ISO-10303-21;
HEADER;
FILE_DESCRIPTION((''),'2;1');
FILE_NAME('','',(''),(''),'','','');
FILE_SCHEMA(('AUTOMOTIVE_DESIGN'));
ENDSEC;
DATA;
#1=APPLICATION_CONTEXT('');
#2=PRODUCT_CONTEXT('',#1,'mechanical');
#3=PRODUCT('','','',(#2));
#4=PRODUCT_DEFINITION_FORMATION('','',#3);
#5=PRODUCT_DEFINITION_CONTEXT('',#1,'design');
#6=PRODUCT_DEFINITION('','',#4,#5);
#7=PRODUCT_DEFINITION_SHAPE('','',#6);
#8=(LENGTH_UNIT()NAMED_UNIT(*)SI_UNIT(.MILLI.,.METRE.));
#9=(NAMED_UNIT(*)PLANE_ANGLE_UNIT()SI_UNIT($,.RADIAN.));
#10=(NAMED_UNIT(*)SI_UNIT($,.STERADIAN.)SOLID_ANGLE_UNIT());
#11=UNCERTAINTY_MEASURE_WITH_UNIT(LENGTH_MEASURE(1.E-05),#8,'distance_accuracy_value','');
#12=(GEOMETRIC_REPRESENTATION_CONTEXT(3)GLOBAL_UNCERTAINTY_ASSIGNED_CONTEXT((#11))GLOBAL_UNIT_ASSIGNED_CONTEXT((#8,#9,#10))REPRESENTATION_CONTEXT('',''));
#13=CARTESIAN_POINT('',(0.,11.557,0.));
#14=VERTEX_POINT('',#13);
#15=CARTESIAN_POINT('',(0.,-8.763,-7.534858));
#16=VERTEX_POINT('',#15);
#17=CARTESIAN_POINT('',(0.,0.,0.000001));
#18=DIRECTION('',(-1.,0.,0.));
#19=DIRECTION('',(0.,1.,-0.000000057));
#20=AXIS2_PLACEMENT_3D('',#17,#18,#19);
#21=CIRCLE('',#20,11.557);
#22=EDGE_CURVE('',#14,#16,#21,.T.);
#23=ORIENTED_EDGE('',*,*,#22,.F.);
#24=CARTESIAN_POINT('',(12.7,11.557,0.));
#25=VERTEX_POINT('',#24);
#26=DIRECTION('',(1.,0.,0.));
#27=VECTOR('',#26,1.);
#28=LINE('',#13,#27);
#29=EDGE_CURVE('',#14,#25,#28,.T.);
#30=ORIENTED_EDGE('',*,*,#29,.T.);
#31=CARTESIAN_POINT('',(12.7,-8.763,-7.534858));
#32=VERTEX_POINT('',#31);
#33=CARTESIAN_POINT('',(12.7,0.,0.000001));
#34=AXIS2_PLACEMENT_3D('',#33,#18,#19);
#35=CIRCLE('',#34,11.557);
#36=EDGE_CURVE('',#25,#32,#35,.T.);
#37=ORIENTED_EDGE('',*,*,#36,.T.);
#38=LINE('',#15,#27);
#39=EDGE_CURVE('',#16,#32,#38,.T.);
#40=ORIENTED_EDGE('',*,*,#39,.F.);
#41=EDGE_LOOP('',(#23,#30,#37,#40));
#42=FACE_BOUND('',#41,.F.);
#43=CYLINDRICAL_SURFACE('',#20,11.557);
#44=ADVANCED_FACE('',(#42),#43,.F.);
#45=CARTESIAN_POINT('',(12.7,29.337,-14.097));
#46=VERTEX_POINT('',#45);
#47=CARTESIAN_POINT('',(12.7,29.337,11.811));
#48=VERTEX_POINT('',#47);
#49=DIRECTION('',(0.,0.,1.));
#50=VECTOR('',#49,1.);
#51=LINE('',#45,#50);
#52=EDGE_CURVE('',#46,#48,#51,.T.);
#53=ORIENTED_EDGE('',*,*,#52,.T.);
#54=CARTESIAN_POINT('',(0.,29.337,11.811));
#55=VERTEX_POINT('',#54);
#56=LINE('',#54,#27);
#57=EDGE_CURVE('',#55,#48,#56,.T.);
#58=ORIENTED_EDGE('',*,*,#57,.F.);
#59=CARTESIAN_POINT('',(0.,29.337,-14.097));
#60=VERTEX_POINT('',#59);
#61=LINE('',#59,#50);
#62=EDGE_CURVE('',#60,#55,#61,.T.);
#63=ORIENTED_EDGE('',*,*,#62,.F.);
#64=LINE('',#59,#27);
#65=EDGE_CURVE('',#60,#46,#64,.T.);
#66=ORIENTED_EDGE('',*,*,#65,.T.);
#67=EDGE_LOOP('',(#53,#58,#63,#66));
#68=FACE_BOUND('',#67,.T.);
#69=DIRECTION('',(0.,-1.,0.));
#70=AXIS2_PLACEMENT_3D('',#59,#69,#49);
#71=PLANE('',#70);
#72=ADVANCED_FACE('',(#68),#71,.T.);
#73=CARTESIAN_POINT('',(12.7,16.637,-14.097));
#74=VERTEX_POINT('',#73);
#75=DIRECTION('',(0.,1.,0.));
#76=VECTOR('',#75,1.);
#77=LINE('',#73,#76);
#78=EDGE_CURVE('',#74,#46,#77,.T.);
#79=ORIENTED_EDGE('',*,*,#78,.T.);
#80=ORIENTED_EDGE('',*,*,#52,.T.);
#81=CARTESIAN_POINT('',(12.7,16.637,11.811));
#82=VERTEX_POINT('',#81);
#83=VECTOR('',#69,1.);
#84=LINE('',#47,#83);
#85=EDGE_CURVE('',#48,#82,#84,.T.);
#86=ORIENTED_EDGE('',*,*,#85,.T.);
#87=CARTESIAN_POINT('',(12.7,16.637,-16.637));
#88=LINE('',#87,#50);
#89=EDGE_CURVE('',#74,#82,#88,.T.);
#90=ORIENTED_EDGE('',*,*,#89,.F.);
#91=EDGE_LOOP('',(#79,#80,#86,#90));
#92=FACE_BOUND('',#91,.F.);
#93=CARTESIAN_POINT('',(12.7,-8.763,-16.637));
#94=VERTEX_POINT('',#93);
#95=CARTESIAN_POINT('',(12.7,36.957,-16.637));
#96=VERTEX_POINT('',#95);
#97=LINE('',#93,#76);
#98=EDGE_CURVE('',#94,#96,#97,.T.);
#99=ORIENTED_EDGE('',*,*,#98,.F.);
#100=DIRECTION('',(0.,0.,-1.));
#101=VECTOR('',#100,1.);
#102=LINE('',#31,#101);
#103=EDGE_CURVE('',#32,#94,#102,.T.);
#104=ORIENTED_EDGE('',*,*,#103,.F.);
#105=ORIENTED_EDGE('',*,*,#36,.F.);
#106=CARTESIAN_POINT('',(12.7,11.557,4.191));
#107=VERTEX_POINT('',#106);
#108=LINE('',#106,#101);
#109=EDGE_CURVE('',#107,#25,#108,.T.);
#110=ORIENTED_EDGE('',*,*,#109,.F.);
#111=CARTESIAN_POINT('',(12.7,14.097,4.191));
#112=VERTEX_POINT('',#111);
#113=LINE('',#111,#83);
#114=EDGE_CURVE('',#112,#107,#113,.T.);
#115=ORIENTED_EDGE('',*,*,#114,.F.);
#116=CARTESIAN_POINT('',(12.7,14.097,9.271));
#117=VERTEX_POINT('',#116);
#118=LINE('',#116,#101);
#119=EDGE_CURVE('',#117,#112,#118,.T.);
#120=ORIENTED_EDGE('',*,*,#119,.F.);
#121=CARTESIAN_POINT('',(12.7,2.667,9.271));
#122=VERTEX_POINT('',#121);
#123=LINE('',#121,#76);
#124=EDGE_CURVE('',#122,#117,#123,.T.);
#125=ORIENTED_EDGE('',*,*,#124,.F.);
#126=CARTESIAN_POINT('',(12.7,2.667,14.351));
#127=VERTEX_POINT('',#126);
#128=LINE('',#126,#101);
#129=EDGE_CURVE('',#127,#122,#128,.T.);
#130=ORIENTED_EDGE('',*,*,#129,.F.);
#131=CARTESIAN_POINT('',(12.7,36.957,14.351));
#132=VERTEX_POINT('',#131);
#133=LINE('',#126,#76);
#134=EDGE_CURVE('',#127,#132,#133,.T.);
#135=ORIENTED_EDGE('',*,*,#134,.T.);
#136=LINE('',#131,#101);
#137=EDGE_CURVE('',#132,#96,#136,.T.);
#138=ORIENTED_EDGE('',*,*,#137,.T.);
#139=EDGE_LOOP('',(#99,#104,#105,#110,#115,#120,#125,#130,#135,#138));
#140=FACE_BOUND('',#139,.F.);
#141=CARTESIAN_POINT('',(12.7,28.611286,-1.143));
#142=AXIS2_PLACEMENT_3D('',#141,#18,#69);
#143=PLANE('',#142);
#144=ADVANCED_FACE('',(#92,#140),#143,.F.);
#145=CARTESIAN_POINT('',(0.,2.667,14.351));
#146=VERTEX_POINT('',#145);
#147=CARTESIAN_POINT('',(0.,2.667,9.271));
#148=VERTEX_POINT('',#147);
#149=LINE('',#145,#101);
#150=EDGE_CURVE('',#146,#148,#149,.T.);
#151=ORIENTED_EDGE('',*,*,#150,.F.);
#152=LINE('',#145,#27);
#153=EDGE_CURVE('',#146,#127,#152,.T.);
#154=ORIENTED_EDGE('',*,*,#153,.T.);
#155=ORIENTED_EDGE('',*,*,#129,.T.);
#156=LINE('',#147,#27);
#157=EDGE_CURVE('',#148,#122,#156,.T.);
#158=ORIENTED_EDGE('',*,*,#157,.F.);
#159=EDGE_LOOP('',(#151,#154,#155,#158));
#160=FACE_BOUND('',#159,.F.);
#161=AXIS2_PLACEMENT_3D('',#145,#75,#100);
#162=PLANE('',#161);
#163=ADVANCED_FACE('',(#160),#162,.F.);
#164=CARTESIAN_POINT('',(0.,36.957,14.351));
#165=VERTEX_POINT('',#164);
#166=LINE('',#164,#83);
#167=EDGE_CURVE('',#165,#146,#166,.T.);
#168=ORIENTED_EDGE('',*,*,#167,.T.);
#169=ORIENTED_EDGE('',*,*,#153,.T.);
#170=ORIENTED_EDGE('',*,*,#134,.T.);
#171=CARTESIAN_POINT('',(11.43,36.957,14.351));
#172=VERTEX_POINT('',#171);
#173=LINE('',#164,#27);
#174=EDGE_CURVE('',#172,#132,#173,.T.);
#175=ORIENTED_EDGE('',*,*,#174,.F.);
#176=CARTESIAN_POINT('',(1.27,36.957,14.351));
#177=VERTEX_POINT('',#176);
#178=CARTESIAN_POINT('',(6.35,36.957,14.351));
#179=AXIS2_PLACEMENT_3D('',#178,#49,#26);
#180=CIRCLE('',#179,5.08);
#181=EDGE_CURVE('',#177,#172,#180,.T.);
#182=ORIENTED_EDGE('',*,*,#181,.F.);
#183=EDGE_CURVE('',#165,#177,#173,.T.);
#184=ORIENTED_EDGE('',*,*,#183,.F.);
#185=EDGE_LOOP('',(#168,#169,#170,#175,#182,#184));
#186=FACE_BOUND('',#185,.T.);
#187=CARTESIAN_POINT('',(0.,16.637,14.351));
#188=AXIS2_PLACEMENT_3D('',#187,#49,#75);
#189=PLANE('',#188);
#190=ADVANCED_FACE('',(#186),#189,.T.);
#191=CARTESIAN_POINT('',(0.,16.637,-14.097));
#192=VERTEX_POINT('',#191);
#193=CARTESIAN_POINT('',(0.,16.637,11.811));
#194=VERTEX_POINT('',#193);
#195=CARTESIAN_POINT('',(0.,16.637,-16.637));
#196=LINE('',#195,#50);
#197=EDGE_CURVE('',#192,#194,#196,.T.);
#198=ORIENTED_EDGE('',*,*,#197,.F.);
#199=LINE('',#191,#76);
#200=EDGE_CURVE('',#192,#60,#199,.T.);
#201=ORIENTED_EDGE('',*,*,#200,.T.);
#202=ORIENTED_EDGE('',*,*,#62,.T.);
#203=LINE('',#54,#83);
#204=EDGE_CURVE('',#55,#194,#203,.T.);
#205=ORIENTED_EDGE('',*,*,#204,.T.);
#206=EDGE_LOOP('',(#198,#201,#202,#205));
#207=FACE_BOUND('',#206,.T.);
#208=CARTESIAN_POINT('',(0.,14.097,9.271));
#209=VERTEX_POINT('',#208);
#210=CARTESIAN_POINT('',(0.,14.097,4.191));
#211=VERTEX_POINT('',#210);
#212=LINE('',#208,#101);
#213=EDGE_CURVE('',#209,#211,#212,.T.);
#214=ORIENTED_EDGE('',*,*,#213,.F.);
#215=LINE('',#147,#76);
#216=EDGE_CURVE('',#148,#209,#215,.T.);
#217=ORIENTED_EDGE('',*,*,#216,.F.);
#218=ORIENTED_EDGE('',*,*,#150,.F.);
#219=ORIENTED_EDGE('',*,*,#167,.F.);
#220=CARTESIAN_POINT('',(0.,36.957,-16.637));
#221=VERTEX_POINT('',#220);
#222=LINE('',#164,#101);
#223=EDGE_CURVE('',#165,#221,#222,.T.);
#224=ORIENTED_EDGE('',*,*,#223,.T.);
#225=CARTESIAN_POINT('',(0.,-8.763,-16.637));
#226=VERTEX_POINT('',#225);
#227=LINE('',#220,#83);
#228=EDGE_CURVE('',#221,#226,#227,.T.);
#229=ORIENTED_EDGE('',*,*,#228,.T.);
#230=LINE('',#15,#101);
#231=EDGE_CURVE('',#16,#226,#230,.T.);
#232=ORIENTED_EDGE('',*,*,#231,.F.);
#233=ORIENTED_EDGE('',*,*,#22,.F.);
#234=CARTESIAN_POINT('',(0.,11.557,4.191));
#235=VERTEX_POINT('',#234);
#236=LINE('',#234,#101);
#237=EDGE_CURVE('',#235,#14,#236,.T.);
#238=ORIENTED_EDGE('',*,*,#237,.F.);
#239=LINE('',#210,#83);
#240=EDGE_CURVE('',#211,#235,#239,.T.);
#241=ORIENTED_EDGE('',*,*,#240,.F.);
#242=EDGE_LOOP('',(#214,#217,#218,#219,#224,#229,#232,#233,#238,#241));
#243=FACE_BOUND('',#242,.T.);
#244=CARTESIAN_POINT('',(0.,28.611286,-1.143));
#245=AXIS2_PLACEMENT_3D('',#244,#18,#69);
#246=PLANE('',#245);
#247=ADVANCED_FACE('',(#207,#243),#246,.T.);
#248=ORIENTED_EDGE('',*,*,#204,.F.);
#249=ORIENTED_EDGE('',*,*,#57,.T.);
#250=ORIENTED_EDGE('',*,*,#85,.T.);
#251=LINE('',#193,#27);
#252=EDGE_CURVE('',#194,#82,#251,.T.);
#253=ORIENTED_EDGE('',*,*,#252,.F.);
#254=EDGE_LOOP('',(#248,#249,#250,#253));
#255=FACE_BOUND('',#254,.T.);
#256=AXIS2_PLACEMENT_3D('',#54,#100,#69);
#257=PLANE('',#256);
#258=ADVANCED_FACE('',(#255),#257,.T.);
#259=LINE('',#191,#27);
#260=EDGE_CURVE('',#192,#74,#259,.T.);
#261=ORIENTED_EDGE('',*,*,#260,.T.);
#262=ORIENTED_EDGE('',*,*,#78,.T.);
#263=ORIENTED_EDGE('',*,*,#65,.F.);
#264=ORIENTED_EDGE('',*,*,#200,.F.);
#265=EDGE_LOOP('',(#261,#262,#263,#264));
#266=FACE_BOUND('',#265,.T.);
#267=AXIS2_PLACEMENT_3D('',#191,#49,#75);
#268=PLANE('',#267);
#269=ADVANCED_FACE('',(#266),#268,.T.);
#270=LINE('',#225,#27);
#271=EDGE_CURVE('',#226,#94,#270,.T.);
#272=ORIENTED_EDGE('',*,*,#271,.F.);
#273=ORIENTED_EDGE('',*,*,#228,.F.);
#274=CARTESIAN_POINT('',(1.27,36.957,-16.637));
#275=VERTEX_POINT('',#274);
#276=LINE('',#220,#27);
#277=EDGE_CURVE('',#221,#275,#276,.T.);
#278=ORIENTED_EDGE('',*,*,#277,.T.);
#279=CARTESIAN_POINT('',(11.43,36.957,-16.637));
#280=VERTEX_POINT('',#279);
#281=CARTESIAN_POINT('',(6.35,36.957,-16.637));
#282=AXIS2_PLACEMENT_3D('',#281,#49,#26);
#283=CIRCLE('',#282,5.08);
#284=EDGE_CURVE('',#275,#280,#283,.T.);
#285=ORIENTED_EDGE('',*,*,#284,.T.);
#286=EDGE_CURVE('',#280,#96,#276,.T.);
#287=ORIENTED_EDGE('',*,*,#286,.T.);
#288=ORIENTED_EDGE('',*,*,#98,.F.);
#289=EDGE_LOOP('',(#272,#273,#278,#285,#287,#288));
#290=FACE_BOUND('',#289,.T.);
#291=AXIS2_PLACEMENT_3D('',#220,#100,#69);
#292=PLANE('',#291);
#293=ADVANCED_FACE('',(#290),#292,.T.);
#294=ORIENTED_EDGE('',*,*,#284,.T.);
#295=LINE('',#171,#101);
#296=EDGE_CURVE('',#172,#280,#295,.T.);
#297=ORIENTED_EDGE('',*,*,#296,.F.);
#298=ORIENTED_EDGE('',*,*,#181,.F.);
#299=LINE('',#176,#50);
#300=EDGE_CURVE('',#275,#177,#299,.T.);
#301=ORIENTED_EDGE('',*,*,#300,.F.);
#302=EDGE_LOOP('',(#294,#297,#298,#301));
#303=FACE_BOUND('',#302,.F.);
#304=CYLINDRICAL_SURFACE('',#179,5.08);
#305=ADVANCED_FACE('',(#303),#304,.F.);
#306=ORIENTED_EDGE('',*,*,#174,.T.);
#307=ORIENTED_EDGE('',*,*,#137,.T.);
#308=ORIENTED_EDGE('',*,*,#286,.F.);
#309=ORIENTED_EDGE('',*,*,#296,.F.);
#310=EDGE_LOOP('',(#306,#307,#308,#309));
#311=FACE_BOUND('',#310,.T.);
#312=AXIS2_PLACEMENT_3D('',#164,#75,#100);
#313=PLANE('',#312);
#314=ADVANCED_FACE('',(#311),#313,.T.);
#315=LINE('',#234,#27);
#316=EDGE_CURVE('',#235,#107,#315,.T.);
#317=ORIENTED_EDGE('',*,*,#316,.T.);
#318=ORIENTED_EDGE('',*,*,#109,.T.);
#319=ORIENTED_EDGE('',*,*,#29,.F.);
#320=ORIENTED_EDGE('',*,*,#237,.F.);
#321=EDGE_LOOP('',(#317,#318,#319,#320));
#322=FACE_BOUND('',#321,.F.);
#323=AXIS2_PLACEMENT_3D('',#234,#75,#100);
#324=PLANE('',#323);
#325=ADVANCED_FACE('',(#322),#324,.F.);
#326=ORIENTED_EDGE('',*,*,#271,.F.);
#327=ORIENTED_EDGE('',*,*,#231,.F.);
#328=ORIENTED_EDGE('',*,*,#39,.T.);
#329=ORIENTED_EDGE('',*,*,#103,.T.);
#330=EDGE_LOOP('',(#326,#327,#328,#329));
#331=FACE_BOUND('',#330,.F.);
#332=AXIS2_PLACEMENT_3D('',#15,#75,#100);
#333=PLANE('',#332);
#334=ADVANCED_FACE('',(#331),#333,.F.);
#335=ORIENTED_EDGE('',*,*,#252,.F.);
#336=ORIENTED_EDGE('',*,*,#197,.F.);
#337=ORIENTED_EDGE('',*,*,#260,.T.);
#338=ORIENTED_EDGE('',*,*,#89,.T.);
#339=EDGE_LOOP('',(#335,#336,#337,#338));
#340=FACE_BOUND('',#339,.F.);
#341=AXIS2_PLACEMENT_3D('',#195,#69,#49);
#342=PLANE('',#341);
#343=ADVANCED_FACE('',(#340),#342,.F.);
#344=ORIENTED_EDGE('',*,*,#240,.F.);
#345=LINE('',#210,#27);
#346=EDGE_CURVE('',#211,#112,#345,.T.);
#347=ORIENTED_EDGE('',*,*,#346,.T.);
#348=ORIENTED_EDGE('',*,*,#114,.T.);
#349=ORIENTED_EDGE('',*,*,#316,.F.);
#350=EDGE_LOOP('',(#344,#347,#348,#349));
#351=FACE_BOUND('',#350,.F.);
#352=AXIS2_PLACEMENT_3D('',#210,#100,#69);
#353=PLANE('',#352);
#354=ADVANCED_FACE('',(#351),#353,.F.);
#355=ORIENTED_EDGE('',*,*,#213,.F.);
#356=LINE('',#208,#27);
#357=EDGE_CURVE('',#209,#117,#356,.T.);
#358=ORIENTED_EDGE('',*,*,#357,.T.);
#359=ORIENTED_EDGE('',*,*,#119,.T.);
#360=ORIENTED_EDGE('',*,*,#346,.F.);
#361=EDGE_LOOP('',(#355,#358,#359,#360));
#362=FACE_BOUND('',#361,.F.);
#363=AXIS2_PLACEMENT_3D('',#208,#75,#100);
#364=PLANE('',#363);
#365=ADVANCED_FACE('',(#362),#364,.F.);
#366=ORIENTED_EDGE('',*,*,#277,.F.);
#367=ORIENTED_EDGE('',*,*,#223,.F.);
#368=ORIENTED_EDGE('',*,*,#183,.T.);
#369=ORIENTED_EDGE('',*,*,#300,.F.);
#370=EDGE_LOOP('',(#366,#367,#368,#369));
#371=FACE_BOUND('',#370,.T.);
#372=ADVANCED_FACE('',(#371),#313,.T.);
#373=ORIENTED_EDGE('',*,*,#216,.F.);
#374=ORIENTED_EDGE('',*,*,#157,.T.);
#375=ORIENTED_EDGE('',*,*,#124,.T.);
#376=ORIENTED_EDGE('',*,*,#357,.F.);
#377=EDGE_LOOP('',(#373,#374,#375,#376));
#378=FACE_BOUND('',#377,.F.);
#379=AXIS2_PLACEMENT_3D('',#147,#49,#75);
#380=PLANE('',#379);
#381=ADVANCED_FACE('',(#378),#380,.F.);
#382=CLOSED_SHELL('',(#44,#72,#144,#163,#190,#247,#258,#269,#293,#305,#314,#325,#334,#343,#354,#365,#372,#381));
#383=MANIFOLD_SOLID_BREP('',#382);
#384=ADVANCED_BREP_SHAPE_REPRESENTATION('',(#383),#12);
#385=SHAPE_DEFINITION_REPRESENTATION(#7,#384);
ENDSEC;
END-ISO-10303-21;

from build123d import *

# Parameters (mm, degrees)
F1_DEPTH = 12.7
F3_DEPTH = 12.7
F5_DEPTH = 76.2


with BuildPart() as f1:
    # F0 (on Right) → F1 (new body)
    with BuildSketch(Plane.YZ):
        with BuildLine():
            ThreePointArc((11.557, 0), (4.0181, -10.83601), (-8.763, -7.534858))
            Line((-8.763, -7.534858), (-8.763, -16.637))
            Line((-8.763, -16.637), (11.557, -16.637))
            Line((11.557, -16.637), (16.637, -16.637))
            Line((16.637, -16.637), (16.637, 14.351))
            Line((16.637, 14.351), (2.667, 14.351))
            Line((2.667, 14.351), (2.667, 9.271))
            Line((2.667, 9.271), (11.557, 9.271))
            Line((11.557, 9.271), (14.097, 9.271))
            Line((14.097, 9.271), (14.097, 4.191))
            Line((14.097, 4.191), (11.557, 4.191))
            Line((11.557, 4.191), (11.557, 0))
        make_face()
    extrude(amount=F1_DEPTH)

    # F2 (on face) → F3 (join)
    with BuildSketch(Plane(origin=(0, 0, 0), x_dir=(0, -1, 0), z_dir=(-1, 0, 0))):
        Polygon((-16.637, 11.811), (-16.637, 14.351), (-36.957, 14.351), (-36.957, -16.637), (-16.637, -16.637), (-16.637, -14.097), (-29.337, -14.097), (-29.337, 11.811), align=None)
    extrude(amount=-F3_DEPTH)

    # F4 (on face) → F5 (cut)
    with BuildSketch(Plane.XY.offset(14.351)):
        with BuildLine():
            ThreePointArc((1.27, 36.957), (6.35, 31.877), (11.43, 36.957))
            Line((11.43, 36.957), (1.27, 36.957))
        make_face()
        with BuildLine():
            Line((1.27, 36.957), (11.43, 36.957))
            ThreePointArc((11.43, 36.957), (6.35, 42.037), (1.27, 36.957))
        make_face()
    extrude(amount=-F5_DEPTH, mode=Mode.SUBTRACT)


solid = f1.part
